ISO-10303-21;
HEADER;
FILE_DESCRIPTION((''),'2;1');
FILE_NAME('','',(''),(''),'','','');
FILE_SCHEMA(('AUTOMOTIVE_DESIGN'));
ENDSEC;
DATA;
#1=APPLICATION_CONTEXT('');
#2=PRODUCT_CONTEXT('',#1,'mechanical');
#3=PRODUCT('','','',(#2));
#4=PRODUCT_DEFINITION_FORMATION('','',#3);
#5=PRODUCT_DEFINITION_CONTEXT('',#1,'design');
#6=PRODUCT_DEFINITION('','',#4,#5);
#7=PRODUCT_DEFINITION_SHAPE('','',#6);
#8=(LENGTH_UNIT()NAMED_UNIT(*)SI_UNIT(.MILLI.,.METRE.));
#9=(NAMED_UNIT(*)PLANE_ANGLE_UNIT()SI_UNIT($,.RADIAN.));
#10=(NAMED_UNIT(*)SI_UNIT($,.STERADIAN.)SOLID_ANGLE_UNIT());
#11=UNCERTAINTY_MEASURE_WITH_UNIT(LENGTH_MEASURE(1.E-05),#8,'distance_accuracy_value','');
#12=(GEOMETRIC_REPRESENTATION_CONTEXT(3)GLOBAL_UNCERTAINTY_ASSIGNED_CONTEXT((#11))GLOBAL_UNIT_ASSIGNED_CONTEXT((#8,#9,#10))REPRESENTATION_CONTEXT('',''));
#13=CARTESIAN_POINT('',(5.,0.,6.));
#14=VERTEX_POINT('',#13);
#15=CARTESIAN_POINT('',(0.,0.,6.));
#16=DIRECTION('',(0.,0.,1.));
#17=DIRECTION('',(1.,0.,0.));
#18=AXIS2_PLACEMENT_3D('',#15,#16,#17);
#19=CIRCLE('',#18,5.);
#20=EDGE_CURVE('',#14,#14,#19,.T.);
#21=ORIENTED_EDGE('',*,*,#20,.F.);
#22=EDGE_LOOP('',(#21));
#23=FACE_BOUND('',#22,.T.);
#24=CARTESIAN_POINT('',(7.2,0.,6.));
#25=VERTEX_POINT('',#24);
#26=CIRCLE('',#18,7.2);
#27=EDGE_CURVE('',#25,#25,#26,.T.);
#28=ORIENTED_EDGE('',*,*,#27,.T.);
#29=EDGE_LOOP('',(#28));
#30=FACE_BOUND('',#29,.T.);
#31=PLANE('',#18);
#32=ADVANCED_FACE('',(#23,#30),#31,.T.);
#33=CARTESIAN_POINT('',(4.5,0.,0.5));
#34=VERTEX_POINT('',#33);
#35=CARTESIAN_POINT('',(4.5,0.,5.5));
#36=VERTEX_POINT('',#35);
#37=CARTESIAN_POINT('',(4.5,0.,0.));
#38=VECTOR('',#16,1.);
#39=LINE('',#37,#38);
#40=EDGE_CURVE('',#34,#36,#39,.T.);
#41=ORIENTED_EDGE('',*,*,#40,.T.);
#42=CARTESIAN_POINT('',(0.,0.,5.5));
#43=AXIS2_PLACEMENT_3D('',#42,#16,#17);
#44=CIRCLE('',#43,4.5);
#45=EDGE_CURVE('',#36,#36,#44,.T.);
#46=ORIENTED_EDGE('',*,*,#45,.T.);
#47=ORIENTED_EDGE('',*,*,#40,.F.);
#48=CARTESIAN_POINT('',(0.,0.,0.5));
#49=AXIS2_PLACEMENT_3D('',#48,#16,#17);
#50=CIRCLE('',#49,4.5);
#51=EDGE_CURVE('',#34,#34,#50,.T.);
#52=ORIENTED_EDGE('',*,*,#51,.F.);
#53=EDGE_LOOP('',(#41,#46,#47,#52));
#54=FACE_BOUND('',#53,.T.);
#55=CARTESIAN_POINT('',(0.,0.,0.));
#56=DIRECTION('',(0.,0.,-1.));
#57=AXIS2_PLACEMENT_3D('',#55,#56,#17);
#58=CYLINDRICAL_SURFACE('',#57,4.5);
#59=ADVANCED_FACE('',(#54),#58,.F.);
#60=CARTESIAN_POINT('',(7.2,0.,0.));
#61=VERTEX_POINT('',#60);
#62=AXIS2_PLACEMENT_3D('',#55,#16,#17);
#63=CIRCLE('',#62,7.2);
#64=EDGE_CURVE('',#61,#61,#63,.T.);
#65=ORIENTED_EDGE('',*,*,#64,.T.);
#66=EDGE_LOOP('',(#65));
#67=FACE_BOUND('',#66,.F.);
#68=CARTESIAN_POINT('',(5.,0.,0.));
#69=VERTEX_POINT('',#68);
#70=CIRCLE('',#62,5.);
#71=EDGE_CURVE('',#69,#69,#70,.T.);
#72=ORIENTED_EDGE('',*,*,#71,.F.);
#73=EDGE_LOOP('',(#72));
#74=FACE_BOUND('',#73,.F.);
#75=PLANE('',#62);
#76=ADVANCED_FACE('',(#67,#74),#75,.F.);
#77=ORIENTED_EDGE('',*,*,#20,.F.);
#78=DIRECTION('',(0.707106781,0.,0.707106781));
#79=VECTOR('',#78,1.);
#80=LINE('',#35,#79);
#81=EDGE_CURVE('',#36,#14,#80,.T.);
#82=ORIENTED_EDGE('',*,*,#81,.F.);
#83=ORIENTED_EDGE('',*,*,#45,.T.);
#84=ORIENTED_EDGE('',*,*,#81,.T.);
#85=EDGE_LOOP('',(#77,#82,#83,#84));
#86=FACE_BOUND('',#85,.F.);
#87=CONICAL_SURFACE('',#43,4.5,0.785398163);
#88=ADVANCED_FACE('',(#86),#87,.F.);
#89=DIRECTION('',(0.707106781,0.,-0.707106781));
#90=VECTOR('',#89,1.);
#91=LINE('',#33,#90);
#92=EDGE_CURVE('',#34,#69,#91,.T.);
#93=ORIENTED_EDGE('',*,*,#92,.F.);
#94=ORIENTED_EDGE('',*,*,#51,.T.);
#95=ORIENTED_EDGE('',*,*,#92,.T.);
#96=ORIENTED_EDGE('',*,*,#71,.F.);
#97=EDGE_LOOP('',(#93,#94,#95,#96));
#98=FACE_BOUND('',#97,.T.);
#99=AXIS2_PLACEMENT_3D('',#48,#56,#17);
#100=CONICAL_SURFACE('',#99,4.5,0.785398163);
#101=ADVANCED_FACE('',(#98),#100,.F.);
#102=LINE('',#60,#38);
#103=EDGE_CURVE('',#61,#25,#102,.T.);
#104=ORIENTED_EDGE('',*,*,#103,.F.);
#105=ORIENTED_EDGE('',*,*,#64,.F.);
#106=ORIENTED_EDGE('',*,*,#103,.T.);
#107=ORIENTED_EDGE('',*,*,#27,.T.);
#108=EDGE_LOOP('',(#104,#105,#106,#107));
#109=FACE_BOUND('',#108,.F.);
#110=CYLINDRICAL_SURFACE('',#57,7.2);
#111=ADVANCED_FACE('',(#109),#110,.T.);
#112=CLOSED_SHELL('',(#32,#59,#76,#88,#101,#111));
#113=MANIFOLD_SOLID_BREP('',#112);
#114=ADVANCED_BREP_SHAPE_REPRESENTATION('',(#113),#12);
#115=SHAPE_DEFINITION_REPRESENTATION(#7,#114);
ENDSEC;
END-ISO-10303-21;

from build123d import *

# Parameters (mm, degrees)
F0_R     = 7.2
F0_R_2   = 4.5
F1_DEPTH = 6
F2_SIZE2 = 0.5
F2_SIZE  = 0.5


with BuildPart() as f1:
    # F0 (on Top) → F1 (new body)
    with BuildSketch(Plane.XY):
        Circle(F0_R)
        Circle(F0_R_2, mode=Mode.SUBTRACT)
    extrude(amount=F1_DEPTH)

    # F2
    f2_edges = [f1.edges().sort_by_distance(p)[0] for p in [
        (-4.5, 0, 0),
        (4.5, 0, 3),
        (-4.5, 0, 6),
    ]]
    chamfer(f2_edges, length=F2_SIZE, length2=F2_SIZE2)


solid = f1.part
